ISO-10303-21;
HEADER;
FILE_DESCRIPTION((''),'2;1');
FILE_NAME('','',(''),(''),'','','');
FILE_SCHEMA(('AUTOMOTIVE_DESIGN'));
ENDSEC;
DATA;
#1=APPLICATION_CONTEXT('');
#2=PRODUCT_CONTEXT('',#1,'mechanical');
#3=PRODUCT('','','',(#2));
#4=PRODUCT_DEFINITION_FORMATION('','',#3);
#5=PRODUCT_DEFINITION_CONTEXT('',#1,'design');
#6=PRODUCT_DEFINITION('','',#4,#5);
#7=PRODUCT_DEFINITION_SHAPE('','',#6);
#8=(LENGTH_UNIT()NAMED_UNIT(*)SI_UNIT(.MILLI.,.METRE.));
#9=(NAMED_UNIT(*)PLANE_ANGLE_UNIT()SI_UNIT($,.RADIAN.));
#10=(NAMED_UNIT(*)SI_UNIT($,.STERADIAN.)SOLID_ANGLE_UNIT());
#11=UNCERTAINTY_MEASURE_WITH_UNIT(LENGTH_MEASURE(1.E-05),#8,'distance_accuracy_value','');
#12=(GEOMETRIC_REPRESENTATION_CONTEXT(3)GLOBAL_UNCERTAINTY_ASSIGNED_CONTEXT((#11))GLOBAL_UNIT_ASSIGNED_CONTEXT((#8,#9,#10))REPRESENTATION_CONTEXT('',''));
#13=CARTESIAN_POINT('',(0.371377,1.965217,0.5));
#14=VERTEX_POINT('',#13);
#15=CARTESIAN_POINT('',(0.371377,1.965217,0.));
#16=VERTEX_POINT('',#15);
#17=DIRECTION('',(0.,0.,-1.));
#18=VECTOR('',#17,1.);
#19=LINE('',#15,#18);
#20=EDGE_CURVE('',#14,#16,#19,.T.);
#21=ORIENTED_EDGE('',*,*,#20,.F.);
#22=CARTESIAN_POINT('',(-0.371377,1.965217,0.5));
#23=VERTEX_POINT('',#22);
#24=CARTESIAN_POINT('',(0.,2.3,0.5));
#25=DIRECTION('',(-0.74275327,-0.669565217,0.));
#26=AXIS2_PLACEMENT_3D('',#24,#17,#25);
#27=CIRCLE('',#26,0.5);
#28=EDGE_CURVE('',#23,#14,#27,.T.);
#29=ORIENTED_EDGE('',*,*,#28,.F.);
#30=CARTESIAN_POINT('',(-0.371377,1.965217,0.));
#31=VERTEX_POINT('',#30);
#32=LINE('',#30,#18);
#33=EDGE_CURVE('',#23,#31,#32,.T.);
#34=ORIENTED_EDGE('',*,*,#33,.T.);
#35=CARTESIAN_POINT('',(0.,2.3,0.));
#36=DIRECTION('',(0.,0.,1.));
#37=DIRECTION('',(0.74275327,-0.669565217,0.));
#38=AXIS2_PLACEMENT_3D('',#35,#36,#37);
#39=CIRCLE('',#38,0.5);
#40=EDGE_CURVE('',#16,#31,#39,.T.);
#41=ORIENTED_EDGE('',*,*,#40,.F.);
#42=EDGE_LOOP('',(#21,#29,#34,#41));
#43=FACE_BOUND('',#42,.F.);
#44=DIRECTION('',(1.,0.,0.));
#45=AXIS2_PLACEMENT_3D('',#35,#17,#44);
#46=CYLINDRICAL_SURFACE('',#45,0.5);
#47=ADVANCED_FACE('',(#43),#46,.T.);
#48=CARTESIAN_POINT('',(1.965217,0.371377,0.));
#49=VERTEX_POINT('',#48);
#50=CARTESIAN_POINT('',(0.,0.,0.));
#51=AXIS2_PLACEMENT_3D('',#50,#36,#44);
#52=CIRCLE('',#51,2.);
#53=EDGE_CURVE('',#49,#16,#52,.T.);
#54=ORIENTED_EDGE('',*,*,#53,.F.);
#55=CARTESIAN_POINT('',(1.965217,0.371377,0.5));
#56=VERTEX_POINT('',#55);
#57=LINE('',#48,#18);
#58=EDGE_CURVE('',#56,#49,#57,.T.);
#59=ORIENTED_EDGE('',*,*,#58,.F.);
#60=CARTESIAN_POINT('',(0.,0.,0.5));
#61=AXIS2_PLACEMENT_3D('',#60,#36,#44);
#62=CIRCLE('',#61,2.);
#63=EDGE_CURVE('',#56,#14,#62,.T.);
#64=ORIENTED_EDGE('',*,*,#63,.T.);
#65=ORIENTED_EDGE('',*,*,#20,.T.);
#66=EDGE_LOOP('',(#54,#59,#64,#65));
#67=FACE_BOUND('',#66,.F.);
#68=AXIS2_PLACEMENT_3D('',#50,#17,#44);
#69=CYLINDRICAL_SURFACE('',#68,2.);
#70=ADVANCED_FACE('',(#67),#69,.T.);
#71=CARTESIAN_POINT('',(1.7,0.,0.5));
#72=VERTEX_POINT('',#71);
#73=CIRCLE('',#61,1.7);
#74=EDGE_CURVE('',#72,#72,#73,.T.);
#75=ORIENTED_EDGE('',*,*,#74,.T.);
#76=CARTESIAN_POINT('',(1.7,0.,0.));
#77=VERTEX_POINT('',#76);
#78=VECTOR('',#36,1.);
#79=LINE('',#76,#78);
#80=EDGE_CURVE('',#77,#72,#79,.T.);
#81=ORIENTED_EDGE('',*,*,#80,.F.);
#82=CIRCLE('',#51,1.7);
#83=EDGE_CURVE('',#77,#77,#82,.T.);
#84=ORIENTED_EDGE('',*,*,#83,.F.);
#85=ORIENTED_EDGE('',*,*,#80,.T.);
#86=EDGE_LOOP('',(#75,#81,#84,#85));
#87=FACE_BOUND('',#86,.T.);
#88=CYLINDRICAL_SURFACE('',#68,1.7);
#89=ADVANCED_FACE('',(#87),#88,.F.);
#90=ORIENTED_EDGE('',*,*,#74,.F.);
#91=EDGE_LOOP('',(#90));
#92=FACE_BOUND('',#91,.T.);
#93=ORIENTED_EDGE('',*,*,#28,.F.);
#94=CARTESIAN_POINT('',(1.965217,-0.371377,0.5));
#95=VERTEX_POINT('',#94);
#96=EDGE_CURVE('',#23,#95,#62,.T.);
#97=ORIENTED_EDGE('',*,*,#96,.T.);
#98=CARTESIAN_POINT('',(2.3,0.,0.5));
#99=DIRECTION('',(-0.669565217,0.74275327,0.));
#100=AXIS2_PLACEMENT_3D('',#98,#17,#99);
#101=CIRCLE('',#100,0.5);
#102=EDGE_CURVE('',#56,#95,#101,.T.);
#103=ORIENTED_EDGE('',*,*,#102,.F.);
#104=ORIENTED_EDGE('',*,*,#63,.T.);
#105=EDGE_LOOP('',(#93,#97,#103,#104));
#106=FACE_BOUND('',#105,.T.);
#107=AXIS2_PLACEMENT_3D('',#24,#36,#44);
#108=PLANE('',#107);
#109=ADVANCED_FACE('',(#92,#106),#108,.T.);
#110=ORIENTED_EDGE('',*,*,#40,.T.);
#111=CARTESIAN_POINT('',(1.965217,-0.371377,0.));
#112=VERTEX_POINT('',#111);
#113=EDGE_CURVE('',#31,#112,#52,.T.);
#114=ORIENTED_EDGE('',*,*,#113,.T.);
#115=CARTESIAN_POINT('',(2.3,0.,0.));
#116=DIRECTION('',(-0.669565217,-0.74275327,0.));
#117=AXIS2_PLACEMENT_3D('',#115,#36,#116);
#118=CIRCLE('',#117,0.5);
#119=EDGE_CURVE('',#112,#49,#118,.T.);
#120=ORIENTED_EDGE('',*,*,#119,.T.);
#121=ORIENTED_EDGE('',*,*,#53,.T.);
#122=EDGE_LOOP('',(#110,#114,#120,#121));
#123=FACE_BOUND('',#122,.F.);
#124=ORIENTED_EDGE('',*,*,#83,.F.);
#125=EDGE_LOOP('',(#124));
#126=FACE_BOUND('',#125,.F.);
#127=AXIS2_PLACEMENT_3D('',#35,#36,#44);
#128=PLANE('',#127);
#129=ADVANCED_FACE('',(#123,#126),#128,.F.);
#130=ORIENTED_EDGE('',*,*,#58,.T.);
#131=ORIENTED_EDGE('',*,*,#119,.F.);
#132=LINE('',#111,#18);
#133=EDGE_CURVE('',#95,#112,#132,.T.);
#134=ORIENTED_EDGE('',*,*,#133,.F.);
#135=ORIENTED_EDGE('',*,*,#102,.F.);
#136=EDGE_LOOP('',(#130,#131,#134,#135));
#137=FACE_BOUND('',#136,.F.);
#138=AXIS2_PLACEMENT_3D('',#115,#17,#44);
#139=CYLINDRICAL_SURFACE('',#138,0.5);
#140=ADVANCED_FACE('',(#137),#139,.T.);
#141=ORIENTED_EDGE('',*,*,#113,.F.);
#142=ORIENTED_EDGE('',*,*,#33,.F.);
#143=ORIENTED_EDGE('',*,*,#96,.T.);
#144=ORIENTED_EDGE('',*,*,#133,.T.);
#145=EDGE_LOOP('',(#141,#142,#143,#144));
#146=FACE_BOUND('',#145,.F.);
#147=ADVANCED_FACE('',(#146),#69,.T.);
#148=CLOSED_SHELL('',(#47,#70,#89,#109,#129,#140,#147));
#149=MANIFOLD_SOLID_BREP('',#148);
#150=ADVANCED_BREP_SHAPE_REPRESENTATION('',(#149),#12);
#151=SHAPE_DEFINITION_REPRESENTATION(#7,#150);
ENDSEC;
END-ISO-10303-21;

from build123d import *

# Parameters (mm, degrees)
CYLINDER003_R     = 0.5
CYLINDER003_DEPTH = 0.5
CYLINDER002_R     = 0.5
CYLINDER002_DEPTH = 0.5
CYLINDER001_R     = 1.7
CYLINDER001_DEPTH = 0.5
CYLINDER_R        = 2
CYLINDER_DEPTH    = 0.5


with BuildPart() as cilindro003:
    # Cylinder003 → Cylinder003 (new body)
    with BuildSketch(Plane(origin=(0, 2.3, 0), x_dir=(1, 0, 0), z_dir=(0, 0, 1))):
        Circle(CYLINDER003_R)
    extrude(amount=CYLINDER003_DEPTH)


with BuildPart() as cilindro002:
    # Cylinder002 → Cylinder002 (new body)
    with BuildSketch(Plane(origin=(2.3, 0, 0), x_dir=(1, 0, 0), z_dir=(0, 0, 1))):
        Circle(CYLINDER002_R)
    extrude(amount=CYLINDER002_DEPTH)


with BuildPart() as cilindro001:
    # Cylinder001 → Cylinder001 (new body)
    with BuildSketch(Plane.XY):
        Circle(CYLINDER001_R)
    extrude(amount=CYLINDER001_DEPTH)


with BuildPart() as fusion001:
    # Cylinder → Cylinder (new body)
    with BuildSketch(Plane.XY):
        Circle(CYLINDER_R)
    extrude(amount=CYLINDER_DEPTH)

    # Cut: cut Cilindro001
    add(cilindro001.part, mode=Mode.SUBTRACT)

    # Fusion: union Cilindro002
    add(cilindro002.part)

    # Fusion001: union Cilindro003
    add(cilindro003.part)


solid = fusion001.part
